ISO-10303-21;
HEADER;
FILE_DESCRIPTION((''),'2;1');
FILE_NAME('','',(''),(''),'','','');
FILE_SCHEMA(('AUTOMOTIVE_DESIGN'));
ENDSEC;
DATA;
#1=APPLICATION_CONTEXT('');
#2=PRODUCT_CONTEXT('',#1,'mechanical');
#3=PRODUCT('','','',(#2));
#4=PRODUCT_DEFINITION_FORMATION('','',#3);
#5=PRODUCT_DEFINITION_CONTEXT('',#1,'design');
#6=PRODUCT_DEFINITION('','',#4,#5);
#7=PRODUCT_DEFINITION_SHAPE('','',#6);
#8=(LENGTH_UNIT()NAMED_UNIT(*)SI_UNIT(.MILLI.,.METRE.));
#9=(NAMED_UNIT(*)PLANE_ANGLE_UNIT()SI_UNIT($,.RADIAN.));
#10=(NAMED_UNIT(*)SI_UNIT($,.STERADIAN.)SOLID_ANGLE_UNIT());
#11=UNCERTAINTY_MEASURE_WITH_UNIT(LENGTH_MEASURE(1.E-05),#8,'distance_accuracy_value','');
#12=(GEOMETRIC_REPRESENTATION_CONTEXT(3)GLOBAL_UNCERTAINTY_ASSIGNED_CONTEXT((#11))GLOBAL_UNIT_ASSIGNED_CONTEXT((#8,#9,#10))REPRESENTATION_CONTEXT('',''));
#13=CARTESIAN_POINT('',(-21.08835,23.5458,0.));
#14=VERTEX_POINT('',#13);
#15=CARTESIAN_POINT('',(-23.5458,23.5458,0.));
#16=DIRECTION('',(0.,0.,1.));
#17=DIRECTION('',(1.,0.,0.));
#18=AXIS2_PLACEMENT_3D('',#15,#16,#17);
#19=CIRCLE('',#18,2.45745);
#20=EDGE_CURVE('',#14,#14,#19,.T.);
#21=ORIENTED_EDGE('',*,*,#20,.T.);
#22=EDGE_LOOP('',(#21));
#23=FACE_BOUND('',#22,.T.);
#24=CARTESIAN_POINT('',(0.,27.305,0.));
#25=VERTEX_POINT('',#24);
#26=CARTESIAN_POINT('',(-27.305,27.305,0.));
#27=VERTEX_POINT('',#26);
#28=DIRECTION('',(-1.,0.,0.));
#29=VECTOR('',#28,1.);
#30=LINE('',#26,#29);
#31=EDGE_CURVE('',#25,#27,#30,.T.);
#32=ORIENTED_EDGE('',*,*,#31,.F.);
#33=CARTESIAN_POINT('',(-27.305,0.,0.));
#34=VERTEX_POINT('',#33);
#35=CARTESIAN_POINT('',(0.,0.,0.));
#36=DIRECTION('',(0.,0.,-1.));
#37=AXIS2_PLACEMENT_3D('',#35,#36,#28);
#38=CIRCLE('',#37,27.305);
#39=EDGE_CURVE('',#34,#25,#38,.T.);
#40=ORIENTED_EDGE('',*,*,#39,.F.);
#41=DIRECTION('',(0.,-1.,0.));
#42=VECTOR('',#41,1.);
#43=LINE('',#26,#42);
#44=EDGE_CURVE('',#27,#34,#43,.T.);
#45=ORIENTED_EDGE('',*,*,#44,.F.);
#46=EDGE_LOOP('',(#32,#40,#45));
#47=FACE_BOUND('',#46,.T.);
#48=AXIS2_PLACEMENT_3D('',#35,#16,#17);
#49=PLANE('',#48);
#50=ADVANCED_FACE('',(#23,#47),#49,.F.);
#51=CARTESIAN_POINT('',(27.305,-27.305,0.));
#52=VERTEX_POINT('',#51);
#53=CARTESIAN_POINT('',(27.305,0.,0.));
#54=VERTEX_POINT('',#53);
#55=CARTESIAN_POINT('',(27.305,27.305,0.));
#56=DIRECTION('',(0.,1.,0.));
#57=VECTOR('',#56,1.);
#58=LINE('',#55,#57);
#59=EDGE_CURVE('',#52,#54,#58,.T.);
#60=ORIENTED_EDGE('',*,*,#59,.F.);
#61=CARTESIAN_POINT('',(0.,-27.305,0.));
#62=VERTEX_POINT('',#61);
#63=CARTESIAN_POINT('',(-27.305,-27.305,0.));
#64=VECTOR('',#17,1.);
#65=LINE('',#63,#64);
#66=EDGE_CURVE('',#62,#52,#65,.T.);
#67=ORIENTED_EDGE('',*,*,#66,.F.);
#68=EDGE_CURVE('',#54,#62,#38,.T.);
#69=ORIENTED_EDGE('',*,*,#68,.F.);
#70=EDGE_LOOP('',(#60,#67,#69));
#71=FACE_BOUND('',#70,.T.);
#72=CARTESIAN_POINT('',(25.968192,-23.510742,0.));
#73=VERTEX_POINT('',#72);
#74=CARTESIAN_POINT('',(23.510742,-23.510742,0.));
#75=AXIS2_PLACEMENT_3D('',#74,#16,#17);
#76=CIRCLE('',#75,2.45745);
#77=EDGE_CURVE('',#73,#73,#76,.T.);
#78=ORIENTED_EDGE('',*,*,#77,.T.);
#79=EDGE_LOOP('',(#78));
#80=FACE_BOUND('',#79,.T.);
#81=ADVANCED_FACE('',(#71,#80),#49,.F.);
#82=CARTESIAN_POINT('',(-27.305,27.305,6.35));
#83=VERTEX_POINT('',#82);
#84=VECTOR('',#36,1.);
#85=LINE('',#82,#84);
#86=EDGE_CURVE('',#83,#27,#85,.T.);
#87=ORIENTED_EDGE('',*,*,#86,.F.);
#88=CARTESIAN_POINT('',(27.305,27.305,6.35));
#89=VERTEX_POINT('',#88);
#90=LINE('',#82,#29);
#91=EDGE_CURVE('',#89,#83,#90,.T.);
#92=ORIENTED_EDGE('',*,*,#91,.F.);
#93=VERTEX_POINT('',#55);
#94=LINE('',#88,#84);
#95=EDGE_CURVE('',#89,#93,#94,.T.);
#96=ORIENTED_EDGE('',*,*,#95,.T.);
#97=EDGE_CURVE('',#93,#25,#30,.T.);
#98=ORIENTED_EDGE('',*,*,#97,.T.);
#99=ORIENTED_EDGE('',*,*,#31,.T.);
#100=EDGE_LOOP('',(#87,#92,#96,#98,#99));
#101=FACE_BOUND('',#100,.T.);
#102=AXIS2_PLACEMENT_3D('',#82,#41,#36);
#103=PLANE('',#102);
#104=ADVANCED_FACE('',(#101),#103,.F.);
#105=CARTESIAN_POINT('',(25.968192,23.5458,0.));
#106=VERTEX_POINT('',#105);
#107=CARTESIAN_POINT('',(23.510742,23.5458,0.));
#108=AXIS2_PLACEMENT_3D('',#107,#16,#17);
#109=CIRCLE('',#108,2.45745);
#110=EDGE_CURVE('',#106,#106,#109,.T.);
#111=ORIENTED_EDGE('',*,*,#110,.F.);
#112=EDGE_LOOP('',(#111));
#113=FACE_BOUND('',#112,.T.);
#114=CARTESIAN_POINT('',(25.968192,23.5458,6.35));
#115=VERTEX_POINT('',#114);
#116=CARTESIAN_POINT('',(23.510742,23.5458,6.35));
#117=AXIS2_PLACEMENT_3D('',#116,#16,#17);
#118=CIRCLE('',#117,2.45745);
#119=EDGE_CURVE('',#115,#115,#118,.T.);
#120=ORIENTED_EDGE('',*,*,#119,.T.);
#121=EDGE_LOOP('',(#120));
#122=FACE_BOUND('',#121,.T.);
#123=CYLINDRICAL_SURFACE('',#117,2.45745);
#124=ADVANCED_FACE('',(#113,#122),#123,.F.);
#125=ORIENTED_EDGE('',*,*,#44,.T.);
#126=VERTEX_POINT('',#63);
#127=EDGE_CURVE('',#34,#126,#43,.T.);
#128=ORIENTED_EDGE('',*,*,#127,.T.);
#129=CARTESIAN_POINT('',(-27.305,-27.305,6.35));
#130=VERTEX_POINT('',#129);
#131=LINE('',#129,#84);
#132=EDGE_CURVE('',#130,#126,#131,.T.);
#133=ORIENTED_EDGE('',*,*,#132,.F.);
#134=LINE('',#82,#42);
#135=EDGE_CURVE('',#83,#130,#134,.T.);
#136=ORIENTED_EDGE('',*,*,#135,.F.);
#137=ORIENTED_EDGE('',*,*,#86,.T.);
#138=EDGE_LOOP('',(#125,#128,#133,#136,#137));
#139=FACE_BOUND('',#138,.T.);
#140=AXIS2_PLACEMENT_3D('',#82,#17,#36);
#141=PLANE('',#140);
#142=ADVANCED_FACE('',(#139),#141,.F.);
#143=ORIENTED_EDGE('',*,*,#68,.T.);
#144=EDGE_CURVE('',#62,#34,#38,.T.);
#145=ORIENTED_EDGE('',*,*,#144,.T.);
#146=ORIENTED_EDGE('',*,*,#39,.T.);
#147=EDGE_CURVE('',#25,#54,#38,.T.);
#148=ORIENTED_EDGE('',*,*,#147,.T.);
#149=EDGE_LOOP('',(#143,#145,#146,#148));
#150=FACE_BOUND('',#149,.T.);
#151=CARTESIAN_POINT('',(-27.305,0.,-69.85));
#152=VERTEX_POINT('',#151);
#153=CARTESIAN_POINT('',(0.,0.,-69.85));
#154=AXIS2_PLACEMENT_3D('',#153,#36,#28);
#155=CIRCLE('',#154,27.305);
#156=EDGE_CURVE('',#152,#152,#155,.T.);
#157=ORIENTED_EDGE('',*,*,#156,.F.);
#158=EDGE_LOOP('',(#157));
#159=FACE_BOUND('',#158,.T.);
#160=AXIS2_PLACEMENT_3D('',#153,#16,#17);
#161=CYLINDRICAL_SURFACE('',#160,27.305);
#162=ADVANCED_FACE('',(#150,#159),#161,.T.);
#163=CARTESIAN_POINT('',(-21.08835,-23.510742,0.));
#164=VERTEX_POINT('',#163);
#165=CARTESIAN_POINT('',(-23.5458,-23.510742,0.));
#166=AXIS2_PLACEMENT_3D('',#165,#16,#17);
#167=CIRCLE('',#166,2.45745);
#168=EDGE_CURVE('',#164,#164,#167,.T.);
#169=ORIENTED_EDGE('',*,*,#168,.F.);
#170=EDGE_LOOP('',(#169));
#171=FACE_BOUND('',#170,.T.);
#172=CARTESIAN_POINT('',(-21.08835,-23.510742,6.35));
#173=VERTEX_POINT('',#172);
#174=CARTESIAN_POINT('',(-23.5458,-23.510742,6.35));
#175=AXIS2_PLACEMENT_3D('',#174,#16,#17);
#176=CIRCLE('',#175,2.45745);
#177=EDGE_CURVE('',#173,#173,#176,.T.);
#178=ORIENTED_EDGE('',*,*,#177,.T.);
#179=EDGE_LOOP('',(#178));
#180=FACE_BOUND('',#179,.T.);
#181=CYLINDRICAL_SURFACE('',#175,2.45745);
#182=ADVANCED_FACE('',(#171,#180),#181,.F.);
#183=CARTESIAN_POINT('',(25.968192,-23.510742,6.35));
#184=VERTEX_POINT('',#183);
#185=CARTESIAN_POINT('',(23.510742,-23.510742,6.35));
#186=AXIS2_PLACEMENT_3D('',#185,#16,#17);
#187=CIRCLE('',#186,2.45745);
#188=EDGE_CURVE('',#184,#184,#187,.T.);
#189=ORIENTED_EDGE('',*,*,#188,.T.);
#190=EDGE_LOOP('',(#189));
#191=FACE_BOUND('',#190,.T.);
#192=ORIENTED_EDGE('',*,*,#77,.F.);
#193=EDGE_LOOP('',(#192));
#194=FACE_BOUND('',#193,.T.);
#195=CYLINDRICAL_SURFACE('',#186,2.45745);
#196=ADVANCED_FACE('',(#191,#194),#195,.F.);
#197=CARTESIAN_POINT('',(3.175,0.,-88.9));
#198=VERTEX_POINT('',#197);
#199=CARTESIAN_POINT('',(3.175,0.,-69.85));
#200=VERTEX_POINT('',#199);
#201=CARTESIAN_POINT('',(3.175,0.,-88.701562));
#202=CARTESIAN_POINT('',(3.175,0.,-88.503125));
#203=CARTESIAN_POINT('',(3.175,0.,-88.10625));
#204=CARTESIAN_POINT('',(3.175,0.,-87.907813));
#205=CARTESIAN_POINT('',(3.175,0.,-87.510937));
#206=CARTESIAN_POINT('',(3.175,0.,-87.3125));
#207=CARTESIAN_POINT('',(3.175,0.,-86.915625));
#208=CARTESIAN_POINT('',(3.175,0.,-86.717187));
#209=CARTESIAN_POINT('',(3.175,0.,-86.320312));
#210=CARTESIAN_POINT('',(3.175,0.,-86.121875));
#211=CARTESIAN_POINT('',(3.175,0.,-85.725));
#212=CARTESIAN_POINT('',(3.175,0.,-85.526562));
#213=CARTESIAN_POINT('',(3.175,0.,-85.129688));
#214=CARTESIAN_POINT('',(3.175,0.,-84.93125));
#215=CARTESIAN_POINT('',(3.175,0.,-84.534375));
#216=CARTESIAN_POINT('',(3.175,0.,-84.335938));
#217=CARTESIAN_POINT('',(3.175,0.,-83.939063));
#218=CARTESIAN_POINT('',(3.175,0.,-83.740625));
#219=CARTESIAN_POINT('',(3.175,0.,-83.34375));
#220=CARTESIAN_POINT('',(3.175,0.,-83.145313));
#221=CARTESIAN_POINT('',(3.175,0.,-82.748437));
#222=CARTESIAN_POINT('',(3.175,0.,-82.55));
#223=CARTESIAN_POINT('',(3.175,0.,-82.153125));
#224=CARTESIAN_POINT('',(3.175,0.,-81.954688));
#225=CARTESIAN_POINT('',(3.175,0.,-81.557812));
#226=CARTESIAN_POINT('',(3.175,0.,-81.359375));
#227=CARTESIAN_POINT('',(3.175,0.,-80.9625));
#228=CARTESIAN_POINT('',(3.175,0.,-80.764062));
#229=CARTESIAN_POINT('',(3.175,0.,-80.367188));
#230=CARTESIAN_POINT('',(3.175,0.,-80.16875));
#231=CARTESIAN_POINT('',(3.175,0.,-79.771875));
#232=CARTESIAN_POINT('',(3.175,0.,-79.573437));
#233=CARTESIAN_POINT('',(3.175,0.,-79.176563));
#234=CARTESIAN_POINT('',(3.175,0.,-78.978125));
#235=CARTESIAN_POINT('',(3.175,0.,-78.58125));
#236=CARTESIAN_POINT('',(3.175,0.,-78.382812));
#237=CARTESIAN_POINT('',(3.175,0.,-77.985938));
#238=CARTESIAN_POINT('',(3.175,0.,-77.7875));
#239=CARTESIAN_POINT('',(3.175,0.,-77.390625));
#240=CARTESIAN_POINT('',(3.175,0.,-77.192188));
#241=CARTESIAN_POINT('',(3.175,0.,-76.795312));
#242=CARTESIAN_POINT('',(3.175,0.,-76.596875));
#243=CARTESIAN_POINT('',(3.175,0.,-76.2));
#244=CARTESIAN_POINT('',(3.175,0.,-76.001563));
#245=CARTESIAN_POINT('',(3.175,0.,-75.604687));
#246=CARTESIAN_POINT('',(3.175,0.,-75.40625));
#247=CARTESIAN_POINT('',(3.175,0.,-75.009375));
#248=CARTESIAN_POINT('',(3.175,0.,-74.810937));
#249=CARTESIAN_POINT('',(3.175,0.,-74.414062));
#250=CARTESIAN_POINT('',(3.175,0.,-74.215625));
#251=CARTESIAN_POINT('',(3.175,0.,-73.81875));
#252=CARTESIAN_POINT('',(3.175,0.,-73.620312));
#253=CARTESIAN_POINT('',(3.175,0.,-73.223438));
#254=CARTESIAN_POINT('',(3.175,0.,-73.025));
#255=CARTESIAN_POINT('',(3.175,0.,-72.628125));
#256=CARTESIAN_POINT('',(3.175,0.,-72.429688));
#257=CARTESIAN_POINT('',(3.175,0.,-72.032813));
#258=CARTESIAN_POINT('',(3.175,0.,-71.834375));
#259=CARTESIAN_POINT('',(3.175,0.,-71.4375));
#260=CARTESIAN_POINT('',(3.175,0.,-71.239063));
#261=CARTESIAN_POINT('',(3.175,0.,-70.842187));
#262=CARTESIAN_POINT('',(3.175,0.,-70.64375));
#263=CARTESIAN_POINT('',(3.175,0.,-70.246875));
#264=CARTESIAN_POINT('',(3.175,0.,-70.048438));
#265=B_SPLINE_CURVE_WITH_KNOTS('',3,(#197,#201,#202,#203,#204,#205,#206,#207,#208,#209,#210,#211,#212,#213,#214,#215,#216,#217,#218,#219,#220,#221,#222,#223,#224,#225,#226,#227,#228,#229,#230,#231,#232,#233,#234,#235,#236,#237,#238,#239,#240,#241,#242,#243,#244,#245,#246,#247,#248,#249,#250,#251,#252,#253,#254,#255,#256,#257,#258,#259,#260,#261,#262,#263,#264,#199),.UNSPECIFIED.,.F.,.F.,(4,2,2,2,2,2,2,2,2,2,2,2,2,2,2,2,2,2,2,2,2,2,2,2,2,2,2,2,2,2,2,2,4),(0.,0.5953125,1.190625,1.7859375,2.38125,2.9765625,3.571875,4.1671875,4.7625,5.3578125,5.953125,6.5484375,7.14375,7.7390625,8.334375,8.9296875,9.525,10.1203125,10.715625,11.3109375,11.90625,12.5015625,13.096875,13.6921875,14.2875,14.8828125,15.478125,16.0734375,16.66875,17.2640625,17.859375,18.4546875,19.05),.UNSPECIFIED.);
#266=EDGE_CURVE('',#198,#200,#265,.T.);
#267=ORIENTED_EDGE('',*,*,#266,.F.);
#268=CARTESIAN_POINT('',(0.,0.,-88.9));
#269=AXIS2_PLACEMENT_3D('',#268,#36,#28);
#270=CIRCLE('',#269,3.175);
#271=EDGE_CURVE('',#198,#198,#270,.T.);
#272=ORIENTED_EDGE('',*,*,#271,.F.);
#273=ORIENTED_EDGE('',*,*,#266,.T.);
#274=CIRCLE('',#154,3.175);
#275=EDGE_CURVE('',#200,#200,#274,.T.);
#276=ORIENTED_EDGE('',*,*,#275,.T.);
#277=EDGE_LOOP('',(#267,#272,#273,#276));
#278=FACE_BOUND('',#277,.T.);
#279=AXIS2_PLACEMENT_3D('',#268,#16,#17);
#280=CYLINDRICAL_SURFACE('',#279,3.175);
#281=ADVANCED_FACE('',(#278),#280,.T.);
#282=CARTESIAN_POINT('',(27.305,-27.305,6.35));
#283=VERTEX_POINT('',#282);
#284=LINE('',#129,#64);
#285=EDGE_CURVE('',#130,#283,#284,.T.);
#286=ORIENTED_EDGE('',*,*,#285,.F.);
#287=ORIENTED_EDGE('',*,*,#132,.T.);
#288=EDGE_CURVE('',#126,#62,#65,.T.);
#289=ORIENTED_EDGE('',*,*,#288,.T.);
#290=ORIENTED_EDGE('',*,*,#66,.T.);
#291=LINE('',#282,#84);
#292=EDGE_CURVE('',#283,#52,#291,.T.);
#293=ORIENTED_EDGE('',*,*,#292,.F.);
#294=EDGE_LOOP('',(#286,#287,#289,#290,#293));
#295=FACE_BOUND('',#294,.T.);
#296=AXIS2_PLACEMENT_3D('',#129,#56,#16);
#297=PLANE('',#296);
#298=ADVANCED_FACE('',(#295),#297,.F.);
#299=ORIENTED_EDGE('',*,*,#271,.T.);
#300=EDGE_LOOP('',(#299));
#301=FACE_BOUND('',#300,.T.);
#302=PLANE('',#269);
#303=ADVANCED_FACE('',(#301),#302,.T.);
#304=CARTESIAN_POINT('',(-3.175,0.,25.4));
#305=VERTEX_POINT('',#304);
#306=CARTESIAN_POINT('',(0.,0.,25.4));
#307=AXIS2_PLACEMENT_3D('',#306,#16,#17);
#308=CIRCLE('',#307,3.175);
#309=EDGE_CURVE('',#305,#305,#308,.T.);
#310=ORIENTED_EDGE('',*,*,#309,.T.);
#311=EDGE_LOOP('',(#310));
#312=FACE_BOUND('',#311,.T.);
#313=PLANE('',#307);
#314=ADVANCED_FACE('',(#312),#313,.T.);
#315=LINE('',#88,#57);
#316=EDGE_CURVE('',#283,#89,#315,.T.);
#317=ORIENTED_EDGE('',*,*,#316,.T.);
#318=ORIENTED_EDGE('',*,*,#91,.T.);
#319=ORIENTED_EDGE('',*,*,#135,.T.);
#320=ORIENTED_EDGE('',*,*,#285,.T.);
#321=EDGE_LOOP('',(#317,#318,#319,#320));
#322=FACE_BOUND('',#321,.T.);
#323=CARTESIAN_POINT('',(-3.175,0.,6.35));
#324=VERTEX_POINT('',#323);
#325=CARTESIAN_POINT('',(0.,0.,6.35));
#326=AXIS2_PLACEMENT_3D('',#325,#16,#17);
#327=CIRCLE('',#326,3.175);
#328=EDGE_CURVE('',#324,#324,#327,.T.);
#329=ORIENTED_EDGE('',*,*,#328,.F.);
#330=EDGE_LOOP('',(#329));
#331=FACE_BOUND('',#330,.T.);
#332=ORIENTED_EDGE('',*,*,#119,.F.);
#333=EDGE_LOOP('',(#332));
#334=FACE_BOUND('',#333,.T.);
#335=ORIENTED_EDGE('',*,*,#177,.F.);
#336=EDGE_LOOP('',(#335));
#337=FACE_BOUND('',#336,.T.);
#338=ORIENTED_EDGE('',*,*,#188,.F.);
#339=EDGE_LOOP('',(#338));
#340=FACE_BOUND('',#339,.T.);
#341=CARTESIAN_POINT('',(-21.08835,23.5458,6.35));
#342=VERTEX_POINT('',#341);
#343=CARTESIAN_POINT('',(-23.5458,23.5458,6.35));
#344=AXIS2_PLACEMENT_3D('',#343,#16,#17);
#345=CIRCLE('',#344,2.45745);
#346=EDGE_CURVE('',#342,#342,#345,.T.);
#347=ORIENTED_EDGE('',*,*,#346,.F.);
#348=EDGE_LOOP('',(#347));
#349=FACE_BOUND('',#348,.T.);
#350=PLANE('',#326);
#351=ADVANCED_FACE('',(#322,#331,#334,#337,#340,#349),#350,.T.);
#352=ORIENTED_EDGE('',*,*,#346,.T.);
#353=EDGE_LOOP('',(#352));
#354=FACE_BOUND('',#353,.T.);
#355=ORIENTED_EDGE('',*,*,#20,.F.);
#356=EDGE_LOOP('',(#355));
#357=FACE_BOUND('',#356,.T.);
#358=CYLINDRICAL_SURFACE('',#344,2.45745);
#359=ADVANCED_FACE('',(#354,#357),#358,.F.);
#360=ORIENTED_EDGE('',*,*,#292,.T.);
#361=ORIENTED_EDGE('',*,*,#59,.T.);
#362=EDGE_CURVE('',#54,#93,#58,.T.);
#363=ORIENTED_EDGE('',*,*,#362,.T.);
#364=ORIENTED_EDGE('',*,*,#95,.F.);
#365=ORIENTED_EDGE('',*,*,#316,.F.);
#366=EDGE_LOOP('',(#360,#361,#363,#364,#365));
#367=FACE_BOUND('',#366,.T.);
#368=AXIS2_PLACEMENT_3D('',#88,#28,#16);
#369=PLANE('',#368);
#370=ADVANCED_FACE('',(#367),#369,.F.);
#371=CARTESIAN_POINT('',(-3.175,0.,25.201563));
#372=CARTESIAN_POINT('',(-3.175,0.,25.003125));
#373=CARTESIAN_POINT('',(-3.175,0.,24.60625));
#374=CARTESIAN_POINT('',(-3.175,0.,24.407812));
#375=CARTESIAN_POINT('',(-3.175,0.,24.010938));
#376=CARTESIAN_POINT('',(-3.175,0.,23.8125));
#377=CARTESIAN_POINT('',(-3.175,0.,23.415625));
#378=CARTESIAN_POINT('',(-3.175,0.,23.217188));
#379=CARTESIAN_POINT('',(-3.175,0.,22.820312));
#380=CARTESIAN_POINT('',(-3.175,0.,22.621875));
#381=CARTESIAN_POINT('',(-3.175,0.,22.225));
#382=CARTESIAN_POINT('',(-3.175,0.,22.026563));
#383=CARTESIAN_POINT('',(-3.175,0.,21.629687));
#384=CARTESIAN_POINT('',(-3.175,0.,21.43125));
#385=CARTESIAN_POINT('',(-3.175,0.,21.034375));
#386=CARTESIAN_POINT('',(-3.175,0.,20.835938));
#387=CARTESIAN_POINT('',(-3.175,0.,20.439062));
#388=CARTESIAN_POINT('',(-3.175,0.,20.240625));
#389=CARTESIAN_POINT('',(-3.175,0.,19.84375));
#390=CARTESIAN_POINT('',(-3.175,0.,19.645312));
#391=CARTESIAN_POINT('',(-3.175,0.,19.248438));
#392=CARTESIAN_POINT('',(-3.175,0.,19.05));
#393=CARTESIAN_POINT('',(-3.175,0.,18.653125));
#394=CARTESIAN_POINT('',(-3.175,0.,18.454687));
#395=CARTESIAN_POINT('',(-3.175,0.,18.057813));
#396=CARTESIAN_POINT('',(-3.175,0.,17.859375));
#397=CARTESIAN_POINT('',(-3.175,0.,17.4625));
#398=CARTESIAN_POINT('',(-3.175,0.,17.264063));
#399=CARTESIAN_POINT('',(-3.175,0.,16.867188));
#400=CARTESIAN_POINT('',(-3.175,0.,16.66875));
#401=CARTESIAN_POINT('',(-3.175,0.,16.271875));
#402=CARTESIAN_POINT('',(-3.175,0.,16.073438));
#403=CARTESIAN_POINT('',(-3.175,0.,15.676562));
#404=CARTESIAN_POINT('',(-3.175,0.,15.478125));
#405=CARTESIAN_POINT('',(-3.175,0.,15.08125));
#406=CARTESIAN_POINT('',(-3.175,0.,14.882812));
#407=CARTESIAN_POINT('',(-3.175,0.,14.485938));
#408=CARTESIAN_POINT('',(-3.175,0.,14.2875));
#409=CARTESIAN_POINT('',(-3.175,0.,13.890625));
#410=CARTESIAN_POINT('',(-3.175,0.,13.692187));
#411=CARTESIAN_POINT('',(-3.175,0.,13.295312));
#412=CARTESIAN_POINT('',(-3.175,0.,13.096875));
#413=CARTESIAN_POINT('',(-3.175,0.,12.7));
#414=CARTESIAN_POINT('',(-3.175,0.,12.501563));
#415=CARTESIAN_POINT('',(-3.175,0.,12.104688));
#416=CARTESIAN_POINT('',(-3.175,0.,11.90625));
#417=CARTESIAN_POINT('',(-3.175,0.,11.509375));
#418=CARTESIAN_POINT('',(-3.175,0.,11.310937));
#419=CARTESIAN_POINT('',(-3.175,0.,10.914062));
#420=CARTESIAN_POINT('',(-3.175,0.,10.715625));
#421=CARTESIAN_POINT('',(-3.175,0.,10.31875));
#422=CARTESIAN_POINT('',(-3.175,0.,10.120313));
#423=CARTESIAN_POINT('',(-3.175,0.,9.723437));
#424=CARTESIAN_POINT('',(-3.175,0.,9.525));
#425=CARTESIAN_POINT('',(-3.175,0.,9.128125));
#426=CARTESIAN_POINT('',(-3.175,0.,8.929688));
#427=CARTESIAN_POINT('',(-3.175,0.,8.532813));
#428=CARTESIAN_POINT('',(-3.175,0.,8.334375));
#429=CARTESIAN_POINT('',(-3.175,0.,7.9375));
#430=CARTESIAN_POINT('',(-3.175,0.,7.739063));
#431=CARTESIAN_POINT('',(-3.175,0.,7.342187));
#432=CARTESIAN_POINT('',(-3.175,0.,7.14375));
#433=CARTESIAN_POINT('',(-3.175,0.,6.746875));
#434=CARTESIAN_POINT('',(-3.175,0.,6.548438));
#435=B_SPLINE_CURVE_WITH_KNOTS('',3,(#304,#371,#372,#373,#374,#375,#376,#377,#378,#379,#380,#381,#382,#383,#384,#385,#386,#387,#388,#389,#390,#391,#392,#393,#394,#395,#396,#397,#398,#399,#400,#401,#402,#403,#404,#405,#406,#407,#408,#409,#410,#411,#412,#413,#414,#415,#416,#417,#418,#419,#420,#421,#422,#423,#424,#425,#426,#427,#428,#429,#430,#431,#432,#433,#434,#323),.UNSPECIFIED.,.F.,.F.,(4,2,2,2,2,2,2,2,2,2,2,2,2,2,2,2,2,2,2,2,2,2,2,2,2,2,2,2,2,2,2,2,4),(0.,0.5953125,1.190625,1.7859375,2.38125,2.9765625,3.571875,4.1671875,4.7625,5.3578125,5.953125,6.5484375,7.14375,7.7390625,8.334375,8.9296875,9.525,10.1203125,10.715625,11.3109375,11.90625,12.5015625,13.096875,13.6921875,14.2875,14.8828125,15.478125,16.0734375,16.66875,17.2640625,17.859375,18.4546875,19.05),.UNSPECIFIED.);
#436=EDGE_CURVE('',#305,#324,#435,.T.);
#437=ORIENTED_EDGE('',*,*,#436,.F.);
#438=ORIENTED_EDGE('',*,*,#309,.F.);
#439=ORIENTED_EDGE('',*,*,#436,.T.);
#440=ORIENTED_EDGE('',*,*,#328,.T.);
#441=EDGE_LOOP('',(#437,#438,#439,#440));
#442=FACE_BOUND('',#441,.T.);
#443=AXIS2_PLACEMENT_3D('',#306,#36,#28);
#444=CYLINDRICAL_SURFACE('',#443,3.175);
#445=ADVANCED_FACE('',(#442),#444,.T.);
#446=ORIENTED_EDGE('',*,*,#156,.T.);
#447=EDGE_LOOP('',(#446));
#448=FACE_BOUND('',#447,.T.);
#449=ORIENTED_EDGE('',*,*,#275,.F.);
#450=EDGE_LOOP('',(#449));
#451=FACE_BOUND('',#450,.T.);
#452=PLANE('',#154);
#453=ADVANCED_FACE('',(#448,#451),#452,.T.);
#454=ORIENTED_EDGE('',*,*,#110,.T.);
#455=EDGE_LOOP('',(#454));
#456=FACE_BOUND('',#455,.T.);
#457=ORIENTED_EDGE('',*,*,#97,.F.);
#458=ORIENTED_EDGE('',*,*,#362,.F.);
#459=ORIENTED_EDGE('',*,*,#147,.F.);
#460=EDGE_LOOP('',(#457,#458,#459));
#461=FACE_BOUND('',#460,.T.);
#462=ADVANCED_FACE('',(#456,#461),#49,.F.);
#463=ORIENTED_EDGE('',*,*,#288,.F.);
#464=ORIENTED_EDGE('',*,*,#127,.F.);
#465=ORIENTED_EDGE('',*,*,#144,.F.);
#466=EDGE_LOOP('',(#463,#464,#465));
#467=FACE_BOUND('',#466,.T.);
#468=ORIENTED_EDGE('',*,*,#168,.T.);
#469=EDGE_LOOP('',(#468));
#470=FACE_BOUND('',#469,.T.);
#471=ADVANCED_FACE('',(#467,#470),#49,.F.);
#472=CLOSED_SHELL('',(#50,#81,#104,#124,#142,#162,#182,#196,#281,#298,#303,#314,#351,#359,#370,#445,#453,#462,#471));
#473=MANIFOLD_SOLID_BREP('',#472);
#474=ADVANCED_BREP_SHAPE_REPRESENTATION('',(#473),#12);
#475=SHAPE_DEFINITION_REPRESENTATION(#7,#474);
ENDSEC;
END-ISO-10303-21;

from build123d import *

# Parameters (mm, degrees)
SKETCH1_W                    = 54.61
SKETCH1_H                    = 54.61
BOSS_EXTRUDE1_DEPTH          = 6.35
F_10_0_1935_DIAMETER_HOLE1_D = 4.9149
SKETCH7_R                    = 27.305
BOSS_EXTRUDE2_DEPTH          = 69.85
SKETCH8_R                    = 3.175
BOSS_EXTRUDE3_DEPTH          = 19.05
BOSS_EXTRUDE4_START          = 19.05
SKETCH9_R                    = 3.175
BOSS_EXTRUDE4_DEPTH          = 19.05


with BuildPart() as part:
    # Sketch1 → Boss-Extrude1 (new body)
    with BuildSketch(Plane.XY):
        Rectangle(SKETCH1_W, SKETCH1_H)
    extrude(amount=BOSS_EXTRUDE1_DEPTH)

    # #10 (0.1935) Diameter Hole1 (through all)
    with Locations(Plane.XY.offset(6.35)):
        with Locations((-23.5458, 23.5458), (23.510742074, 23.5458), (23.510742074, -23.510742074), (-23.5458, -23.510742074)):
            Hole(F_10_0_1935_DIAMETER_HOLE1_D / 2)

    # Sketch7 → Boss-Extrude2 (add)
    with BuildSketch(Plane(origin=(0, 0, 0), x_dir=(-1, 0, 0), z_dir=(0, 0, -1))):
        Circle(SKETCH7_R)
    extrude(amount=BOSS_EXTRUDE2_DEPTH)

    # Sketch8 → Boss-Extrude3 (add)
    with BuildSketch(Plane(origin=(0, 0, -69.85), x_dir=(-1, 0, 0), z_dir=(0, 0, -1))):
        with Locations(Location((0, 0, 0), (0, 0, 180))):
            Circle(SKETCH8_R)
    extrude(amount=BOSS_EXTRUDE3_DEPTH)

    # Sketch9 → Boss-Extrude4 (add)
    with BuildSketch(Plane.XY.offset(6.35).offset(BOSS_EXTRUDE4_START)):
        Circle(SKETCH9_R)
    extrude(amount=-BOSS_EXTRUDE4_DEPTH)


solid = part.part
